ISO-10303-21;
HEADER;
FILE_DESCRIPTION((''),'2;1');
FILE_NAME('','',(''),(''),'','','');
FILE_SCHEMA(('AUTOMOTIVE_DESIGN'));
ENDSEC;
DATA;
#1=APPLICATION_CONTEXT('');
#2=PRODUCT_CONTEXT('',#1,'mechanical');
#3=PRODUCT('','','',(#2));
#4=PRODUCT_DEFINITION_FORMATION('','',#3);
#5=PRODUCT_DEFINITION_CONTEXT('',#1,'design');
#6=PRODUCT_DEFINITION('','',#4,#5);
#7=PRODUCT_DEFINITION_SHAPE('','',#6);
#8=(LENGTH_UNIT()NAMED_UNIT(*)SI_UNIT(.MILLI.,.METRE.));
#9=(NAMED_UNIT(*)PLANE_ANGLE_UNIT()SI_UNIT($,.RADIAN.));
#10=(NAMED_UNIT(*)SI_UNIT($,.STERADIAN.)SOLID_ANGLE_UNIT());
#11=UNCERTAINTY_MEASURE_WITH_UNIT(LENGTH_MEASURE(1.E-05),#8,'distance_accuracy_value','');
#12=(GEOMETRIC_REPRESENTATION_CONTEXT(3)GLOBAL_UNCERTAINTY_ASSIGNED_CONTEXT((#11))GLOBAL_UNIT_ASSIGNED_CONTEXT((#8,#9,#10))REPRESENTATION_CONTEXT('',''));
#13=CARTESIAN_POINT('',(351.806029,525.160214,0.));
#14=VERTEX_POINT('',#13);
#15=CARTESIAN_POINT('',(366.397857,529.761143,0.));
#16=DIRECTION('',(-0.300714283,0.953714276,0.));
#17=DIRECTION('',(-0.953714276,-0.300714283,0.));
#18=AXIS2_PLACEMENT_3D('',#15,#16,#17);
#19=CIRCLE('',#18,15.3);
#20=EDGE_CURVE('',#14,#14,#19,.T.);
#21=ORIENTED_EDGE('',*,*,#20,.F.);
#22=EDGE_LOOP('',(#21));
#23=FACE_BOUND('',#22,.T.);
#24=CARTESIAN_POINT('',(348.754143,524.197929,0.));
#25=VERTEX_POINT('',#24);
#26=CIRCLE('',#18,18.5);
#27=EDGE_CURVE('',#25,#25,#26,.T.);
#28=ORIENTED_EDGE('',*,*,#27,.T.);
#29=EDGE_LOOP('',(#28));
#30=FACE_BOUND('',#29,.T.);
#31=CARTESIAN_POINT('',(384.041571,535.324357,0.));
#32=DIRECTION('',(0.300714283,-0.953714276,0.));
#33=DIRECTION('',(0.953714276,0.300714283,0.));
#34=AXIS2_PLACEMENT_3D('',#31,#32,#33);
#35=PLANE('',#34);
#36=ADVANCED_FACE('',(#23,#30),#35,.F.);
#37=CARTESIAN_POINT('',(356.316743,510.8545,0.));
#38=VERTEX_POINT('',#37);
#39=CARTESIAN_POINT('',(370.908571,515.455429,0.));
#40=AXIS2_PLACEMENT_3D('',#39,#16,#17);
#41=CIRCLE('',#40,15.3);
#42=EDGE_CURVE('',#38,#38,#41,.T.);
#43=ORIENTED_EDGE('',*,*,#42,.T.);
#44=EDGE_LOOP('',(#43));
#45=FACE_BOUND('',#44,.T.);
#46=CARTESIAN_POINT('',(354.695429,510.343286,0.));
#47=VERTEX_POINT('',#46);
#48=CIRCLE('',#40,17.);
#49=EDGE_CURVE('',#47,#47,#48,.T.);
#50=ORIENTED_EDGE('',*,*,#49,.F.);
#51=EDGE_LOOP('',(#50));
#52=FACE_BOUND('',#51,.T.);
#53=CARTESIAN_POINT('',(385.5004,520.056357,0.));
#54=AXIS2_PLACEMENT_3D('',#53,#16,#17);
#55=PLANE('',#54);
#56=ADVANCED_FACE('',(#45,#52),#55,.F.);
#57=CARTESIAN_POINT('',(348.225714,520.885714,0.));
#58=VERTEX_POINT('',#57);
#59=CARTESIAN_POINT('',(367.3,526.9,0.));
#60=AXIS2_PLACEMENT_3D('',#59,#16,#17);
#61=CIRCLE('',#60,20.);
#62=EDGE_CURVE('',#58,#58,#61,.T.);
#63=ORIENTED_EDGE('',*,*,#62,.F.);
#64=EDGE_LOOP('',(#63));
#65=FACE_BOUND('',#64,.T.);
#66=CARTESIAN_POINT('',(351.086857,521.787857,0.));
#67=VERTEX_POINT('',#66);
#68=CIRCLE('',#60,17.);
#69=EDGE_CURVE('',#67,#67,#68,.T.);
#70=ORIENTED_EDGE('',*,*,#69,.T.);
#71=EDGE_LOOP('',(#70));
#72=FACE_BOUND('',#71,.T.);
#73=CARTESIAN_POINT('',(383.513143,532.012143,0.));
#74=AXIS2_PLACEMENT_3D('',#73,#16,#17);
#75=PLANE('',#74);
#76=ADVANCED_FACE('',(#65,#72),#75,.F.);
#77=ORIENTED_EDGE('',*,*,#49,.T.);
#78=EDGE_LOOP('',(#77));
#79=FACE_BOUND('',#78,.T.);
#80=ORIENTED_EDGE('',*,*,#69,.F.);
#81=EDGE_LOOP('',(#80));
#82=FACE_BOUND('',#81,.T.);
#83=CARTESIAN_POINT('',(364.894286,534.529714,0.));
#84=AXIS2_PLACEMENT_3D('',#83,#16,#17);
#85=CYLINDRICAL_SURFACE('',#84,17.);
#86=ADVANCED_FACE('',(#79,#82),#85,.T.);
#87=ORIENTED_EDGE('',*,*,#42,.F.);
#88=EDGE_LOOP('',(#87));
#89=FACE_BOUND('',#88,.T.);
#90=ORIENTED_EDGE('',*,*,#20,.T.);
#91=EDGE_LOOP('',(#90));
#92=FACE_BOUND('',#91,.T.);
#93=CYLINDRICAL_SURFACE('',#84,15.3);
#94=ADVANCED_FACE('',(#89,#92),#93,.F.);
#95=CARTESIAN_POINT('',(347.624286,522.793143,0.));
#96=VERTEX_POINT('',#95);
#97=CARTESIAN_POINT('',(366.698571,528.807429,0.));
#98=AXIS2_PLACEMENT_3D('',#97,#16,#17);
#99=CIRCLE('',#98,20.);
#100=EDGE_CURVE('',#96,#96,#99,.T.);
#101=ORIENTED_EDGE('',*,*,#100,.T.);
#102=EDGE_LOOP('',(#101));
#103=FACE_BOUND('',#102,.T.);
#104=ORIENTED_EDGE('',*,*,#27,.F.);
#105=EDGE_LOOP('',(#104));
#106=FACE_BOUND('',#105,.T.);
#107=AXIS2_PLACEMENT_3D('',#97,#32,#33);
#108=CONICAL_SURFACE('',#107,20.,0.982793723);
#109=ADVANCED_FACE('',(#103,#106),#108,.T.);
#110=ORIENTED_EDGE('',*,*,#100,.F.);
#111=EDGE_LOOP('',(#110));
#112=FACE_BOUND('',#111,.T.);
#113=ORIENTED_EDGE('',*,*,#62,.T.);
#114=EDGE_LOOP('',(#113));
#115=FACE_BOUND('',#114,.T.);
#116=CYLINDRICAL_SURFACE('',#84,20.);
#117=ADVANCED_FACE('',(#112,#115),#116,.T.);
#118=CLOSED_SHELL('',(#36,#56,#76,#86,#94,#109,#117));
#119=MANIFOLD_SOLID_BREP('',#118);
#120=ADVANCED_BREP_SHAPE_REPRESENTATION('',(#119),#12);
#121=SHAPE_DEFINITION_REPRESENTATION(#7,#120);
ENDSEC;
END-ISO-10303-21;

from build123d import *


with BuildPart() as part:
    # Sk_Cono → Cono (revolve)
    with BuildSketch(Plane.XY, mode=Mode.PRIVATE) as cono_sk:
        Polygon((385.500399814, 520.056357213), (387.121714083, 520.567571493), (383.513142692, 532.012142805), (386.37428552, 532.914285653), (385.772856954, 534.821714205), (384.041571258, 535.324357057), (380.989685575, 534.362071352), align=None)
    revolve(cono_sk.sketch.rotate(Axis((364.894285739, 534.529714208, 0), (0.3007142826457708, -0.9537142759825081, 0)), 180), axis=Axis((364.894285739, 534.529714208, 0), (0.3007142826457708, -0.9537142759825081, 0)))


solid = part.part
